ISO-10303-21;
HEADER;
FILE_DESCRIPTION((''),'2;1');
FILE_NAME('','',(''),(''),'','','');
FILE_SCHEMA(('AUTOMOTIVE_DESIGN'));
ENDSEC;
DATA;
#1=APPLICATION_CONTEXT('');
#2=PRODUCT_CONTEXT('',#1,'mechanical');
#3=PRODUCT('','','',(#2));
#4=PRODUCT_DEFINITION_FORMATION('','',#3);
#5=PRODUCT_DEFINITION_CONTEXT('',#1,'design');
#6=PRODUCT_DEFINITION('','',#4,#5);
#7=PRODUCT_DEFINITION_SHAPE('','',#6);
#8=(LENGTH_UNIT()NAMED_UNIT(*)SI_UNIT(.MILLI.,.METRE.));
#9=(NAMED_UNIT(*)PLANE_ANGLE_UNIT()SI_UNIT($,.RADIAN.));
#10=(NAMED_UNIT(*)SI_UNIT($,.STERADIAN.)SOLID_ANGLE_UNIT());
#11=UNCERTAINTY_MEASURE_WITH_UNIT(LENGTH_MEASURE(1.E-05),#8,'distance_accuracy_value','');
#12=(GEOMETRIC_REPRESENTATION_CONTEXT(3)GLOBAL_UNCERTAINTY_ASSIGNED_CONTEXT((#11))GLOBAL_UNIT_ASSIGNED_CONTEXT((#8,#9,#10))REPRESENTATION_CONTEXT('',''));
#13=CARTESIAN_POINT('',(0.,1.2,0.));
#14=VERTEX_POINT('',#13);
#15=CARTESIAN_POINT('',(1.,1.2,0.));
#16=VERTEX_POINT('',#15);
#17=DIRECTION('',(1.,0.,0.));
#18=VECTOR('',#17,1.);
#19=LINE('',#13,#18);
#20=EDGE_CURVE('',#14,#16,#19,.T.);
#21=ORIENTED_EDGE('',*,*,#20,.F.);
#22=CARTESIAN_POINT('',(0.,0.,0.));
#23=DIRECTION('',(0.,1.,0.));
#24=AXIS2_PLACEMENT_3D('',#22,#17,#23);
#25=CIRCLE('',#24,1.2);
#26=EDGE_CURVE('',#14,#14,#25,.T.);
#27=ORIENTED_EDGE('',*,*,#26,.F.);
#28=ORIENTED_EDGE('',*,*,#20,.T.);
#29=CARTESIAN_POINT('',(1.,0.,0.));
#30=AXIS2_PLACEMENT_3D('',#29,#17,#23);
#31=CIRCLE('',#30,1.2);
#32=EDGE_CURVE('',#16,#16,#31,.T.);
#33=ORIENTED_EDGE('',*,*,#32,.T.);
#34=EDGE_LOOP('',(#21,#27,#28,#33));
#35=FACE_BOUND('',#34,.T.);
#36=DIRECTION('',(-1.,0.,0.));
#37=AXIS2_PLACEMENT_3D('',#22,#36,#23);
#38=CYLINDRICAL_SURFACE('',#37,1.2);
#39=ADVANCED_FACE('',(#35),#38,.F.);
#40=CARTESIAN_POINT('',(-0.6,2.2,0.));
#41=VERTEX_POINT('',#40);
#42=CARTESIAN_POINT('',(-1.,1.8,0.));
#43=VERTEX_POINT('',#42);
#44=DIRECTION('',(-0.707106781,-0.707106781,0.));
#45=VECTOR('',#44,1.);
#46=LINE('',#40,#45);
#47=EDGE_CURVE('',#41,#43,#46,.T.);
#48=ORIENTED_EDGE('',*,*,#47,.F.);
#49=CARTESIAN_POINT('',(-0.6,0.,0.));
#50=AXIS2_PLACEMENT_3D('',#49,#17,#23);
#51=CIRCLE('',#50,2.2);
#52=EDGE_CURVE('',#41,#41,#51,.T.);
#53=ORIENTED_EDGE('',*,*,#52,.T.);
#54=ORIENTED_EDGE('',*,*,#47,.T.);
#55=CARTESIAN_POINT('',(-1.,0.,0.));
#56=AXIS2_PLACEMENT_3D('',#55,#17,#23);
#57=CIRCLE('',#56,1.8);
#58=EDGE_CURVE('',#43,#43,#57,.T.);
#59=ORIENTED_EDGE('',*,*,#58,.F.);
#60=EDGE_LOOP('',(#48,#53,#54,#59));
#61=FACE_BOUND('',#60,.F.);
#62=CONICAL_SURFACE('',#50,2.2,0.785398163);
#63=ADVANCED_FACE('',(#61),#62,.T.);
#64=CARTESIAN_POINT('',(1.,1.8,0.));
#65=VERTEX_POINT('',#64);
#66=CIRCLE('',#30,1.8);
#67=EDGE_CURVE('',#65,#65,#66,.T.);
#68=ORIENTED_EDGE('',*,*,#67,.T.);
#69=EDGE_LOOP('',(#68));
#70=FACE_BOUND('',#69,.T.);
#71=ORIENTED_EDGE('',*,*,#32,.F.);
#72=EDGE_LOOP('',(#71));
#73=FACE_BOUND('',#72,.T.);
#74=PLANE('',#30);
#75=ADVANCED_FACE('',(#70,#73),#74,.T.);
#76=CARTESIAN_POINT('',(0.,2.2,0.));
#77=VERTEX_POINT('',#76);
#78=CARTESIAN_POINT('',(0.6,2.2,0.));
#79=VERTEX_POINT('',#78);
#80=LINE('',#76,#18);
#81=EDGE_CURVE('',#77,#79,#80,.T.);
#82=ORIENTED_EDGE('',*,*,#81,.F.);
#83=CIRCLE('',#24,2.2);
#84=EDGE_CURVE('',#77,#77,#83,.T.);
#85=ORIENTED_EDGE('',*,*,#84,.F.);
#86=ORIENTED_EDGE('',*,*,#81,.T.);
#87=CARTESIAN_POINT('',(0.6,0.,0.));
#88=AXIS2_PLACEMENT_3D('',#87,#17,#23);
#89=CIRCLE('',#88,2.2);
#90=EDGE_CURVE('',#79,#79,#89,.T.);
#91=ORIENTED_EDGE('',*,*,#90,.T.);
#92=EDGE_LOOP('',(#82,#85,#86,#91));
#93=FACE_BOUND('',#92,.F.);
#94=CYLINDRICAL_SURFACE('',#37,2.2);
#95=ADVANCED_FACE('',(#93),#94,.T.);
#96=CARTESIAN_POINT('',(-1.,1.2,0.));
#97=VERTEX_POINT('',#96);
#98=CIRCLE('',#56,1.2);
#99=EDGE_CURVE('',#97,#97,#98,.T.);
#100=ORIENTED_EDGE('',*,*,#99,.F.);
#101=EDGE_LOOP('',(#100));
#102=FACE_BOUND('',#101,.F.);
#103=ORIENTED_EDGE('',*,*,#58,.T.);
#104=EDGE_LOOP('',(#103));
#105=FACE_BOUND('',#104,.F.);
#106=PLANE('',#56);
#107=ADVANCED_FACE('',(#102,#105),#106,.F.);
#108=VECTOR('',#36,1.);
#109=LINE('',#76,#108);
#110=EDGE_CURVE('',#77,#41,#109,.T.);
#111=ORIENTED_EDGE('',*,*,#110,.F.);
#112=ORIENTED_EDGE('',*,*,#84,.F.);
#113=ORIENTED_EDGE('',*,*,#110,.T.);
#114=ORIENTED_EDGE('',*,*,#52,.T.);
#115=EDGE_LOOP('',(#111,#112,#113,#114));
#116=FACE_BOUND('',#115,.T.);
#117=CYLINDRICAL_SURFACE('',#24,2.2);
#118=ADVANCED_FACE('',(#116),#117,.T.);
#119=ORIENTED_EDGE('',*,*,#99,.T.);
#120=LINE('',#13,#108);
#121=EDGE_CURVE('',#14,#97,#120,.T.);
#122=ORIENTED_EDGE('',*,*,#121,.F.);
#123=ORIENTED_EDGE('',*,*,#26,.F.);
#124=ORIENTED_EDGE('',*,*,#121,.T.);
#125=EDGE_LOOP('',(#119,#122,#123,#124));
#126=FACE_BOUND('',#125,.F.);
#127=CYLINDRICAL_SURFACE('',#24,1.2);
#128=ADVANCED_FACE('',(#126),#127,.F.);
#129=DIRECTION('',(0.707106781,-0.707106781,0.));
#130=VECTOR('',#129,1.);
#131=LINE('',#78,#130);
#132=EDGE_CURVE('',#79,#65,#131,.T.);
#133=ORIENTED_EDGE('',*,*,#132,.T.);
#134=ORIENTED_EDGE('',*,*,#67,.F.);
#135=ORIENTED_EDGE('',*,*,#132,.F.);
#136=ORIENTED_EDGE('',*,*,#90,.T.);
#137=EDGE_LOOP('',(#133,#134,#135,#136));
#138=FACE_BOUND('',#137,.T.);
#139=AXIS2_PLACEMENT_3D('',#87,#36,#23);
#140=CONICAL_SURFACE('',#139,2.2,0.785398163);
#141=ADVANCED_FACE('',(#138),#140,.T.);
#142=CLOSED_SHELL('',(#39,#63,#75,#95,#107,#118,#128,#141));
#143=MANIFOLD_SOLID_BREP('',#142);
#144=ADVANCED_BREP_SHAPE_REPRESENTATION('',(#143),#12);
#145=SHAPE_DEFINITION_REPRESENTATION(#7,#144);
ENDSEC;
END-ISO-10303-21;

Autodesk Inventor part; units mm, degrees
ref_plane "YZ Plane" through (0, 0, 0) normal (1, 0, 0) x (0, 1, 0)
ref_plane "XZ Plane" through (0, 0, 0) normal (0, 1, 0) x (-1, 0, 0)
ref_plane "XY Plane" through (0, 0, 0) normal (0, 0, 1) x (1, 0, 0)
sketch "スケッチ1" plane through (0, 0, 0) normal (1, 0, 0) x (0, 1, 0)
  circle A0 centre (0, 0) radius 2.2
  circle A1 centre (0, 0) radius 1.2
  dimension "d0" = 2.4
  dimension "d1" = 1
extrude "押し出し1" add sketch "スケッチ1" along normal mid plane 2
chamfer "面取り1" distance 0.4 angle 45 2 edges at (1, -2.2, 0) (-1, -2.2, 0)
properties part number "spacer_Φ3.2_1"
